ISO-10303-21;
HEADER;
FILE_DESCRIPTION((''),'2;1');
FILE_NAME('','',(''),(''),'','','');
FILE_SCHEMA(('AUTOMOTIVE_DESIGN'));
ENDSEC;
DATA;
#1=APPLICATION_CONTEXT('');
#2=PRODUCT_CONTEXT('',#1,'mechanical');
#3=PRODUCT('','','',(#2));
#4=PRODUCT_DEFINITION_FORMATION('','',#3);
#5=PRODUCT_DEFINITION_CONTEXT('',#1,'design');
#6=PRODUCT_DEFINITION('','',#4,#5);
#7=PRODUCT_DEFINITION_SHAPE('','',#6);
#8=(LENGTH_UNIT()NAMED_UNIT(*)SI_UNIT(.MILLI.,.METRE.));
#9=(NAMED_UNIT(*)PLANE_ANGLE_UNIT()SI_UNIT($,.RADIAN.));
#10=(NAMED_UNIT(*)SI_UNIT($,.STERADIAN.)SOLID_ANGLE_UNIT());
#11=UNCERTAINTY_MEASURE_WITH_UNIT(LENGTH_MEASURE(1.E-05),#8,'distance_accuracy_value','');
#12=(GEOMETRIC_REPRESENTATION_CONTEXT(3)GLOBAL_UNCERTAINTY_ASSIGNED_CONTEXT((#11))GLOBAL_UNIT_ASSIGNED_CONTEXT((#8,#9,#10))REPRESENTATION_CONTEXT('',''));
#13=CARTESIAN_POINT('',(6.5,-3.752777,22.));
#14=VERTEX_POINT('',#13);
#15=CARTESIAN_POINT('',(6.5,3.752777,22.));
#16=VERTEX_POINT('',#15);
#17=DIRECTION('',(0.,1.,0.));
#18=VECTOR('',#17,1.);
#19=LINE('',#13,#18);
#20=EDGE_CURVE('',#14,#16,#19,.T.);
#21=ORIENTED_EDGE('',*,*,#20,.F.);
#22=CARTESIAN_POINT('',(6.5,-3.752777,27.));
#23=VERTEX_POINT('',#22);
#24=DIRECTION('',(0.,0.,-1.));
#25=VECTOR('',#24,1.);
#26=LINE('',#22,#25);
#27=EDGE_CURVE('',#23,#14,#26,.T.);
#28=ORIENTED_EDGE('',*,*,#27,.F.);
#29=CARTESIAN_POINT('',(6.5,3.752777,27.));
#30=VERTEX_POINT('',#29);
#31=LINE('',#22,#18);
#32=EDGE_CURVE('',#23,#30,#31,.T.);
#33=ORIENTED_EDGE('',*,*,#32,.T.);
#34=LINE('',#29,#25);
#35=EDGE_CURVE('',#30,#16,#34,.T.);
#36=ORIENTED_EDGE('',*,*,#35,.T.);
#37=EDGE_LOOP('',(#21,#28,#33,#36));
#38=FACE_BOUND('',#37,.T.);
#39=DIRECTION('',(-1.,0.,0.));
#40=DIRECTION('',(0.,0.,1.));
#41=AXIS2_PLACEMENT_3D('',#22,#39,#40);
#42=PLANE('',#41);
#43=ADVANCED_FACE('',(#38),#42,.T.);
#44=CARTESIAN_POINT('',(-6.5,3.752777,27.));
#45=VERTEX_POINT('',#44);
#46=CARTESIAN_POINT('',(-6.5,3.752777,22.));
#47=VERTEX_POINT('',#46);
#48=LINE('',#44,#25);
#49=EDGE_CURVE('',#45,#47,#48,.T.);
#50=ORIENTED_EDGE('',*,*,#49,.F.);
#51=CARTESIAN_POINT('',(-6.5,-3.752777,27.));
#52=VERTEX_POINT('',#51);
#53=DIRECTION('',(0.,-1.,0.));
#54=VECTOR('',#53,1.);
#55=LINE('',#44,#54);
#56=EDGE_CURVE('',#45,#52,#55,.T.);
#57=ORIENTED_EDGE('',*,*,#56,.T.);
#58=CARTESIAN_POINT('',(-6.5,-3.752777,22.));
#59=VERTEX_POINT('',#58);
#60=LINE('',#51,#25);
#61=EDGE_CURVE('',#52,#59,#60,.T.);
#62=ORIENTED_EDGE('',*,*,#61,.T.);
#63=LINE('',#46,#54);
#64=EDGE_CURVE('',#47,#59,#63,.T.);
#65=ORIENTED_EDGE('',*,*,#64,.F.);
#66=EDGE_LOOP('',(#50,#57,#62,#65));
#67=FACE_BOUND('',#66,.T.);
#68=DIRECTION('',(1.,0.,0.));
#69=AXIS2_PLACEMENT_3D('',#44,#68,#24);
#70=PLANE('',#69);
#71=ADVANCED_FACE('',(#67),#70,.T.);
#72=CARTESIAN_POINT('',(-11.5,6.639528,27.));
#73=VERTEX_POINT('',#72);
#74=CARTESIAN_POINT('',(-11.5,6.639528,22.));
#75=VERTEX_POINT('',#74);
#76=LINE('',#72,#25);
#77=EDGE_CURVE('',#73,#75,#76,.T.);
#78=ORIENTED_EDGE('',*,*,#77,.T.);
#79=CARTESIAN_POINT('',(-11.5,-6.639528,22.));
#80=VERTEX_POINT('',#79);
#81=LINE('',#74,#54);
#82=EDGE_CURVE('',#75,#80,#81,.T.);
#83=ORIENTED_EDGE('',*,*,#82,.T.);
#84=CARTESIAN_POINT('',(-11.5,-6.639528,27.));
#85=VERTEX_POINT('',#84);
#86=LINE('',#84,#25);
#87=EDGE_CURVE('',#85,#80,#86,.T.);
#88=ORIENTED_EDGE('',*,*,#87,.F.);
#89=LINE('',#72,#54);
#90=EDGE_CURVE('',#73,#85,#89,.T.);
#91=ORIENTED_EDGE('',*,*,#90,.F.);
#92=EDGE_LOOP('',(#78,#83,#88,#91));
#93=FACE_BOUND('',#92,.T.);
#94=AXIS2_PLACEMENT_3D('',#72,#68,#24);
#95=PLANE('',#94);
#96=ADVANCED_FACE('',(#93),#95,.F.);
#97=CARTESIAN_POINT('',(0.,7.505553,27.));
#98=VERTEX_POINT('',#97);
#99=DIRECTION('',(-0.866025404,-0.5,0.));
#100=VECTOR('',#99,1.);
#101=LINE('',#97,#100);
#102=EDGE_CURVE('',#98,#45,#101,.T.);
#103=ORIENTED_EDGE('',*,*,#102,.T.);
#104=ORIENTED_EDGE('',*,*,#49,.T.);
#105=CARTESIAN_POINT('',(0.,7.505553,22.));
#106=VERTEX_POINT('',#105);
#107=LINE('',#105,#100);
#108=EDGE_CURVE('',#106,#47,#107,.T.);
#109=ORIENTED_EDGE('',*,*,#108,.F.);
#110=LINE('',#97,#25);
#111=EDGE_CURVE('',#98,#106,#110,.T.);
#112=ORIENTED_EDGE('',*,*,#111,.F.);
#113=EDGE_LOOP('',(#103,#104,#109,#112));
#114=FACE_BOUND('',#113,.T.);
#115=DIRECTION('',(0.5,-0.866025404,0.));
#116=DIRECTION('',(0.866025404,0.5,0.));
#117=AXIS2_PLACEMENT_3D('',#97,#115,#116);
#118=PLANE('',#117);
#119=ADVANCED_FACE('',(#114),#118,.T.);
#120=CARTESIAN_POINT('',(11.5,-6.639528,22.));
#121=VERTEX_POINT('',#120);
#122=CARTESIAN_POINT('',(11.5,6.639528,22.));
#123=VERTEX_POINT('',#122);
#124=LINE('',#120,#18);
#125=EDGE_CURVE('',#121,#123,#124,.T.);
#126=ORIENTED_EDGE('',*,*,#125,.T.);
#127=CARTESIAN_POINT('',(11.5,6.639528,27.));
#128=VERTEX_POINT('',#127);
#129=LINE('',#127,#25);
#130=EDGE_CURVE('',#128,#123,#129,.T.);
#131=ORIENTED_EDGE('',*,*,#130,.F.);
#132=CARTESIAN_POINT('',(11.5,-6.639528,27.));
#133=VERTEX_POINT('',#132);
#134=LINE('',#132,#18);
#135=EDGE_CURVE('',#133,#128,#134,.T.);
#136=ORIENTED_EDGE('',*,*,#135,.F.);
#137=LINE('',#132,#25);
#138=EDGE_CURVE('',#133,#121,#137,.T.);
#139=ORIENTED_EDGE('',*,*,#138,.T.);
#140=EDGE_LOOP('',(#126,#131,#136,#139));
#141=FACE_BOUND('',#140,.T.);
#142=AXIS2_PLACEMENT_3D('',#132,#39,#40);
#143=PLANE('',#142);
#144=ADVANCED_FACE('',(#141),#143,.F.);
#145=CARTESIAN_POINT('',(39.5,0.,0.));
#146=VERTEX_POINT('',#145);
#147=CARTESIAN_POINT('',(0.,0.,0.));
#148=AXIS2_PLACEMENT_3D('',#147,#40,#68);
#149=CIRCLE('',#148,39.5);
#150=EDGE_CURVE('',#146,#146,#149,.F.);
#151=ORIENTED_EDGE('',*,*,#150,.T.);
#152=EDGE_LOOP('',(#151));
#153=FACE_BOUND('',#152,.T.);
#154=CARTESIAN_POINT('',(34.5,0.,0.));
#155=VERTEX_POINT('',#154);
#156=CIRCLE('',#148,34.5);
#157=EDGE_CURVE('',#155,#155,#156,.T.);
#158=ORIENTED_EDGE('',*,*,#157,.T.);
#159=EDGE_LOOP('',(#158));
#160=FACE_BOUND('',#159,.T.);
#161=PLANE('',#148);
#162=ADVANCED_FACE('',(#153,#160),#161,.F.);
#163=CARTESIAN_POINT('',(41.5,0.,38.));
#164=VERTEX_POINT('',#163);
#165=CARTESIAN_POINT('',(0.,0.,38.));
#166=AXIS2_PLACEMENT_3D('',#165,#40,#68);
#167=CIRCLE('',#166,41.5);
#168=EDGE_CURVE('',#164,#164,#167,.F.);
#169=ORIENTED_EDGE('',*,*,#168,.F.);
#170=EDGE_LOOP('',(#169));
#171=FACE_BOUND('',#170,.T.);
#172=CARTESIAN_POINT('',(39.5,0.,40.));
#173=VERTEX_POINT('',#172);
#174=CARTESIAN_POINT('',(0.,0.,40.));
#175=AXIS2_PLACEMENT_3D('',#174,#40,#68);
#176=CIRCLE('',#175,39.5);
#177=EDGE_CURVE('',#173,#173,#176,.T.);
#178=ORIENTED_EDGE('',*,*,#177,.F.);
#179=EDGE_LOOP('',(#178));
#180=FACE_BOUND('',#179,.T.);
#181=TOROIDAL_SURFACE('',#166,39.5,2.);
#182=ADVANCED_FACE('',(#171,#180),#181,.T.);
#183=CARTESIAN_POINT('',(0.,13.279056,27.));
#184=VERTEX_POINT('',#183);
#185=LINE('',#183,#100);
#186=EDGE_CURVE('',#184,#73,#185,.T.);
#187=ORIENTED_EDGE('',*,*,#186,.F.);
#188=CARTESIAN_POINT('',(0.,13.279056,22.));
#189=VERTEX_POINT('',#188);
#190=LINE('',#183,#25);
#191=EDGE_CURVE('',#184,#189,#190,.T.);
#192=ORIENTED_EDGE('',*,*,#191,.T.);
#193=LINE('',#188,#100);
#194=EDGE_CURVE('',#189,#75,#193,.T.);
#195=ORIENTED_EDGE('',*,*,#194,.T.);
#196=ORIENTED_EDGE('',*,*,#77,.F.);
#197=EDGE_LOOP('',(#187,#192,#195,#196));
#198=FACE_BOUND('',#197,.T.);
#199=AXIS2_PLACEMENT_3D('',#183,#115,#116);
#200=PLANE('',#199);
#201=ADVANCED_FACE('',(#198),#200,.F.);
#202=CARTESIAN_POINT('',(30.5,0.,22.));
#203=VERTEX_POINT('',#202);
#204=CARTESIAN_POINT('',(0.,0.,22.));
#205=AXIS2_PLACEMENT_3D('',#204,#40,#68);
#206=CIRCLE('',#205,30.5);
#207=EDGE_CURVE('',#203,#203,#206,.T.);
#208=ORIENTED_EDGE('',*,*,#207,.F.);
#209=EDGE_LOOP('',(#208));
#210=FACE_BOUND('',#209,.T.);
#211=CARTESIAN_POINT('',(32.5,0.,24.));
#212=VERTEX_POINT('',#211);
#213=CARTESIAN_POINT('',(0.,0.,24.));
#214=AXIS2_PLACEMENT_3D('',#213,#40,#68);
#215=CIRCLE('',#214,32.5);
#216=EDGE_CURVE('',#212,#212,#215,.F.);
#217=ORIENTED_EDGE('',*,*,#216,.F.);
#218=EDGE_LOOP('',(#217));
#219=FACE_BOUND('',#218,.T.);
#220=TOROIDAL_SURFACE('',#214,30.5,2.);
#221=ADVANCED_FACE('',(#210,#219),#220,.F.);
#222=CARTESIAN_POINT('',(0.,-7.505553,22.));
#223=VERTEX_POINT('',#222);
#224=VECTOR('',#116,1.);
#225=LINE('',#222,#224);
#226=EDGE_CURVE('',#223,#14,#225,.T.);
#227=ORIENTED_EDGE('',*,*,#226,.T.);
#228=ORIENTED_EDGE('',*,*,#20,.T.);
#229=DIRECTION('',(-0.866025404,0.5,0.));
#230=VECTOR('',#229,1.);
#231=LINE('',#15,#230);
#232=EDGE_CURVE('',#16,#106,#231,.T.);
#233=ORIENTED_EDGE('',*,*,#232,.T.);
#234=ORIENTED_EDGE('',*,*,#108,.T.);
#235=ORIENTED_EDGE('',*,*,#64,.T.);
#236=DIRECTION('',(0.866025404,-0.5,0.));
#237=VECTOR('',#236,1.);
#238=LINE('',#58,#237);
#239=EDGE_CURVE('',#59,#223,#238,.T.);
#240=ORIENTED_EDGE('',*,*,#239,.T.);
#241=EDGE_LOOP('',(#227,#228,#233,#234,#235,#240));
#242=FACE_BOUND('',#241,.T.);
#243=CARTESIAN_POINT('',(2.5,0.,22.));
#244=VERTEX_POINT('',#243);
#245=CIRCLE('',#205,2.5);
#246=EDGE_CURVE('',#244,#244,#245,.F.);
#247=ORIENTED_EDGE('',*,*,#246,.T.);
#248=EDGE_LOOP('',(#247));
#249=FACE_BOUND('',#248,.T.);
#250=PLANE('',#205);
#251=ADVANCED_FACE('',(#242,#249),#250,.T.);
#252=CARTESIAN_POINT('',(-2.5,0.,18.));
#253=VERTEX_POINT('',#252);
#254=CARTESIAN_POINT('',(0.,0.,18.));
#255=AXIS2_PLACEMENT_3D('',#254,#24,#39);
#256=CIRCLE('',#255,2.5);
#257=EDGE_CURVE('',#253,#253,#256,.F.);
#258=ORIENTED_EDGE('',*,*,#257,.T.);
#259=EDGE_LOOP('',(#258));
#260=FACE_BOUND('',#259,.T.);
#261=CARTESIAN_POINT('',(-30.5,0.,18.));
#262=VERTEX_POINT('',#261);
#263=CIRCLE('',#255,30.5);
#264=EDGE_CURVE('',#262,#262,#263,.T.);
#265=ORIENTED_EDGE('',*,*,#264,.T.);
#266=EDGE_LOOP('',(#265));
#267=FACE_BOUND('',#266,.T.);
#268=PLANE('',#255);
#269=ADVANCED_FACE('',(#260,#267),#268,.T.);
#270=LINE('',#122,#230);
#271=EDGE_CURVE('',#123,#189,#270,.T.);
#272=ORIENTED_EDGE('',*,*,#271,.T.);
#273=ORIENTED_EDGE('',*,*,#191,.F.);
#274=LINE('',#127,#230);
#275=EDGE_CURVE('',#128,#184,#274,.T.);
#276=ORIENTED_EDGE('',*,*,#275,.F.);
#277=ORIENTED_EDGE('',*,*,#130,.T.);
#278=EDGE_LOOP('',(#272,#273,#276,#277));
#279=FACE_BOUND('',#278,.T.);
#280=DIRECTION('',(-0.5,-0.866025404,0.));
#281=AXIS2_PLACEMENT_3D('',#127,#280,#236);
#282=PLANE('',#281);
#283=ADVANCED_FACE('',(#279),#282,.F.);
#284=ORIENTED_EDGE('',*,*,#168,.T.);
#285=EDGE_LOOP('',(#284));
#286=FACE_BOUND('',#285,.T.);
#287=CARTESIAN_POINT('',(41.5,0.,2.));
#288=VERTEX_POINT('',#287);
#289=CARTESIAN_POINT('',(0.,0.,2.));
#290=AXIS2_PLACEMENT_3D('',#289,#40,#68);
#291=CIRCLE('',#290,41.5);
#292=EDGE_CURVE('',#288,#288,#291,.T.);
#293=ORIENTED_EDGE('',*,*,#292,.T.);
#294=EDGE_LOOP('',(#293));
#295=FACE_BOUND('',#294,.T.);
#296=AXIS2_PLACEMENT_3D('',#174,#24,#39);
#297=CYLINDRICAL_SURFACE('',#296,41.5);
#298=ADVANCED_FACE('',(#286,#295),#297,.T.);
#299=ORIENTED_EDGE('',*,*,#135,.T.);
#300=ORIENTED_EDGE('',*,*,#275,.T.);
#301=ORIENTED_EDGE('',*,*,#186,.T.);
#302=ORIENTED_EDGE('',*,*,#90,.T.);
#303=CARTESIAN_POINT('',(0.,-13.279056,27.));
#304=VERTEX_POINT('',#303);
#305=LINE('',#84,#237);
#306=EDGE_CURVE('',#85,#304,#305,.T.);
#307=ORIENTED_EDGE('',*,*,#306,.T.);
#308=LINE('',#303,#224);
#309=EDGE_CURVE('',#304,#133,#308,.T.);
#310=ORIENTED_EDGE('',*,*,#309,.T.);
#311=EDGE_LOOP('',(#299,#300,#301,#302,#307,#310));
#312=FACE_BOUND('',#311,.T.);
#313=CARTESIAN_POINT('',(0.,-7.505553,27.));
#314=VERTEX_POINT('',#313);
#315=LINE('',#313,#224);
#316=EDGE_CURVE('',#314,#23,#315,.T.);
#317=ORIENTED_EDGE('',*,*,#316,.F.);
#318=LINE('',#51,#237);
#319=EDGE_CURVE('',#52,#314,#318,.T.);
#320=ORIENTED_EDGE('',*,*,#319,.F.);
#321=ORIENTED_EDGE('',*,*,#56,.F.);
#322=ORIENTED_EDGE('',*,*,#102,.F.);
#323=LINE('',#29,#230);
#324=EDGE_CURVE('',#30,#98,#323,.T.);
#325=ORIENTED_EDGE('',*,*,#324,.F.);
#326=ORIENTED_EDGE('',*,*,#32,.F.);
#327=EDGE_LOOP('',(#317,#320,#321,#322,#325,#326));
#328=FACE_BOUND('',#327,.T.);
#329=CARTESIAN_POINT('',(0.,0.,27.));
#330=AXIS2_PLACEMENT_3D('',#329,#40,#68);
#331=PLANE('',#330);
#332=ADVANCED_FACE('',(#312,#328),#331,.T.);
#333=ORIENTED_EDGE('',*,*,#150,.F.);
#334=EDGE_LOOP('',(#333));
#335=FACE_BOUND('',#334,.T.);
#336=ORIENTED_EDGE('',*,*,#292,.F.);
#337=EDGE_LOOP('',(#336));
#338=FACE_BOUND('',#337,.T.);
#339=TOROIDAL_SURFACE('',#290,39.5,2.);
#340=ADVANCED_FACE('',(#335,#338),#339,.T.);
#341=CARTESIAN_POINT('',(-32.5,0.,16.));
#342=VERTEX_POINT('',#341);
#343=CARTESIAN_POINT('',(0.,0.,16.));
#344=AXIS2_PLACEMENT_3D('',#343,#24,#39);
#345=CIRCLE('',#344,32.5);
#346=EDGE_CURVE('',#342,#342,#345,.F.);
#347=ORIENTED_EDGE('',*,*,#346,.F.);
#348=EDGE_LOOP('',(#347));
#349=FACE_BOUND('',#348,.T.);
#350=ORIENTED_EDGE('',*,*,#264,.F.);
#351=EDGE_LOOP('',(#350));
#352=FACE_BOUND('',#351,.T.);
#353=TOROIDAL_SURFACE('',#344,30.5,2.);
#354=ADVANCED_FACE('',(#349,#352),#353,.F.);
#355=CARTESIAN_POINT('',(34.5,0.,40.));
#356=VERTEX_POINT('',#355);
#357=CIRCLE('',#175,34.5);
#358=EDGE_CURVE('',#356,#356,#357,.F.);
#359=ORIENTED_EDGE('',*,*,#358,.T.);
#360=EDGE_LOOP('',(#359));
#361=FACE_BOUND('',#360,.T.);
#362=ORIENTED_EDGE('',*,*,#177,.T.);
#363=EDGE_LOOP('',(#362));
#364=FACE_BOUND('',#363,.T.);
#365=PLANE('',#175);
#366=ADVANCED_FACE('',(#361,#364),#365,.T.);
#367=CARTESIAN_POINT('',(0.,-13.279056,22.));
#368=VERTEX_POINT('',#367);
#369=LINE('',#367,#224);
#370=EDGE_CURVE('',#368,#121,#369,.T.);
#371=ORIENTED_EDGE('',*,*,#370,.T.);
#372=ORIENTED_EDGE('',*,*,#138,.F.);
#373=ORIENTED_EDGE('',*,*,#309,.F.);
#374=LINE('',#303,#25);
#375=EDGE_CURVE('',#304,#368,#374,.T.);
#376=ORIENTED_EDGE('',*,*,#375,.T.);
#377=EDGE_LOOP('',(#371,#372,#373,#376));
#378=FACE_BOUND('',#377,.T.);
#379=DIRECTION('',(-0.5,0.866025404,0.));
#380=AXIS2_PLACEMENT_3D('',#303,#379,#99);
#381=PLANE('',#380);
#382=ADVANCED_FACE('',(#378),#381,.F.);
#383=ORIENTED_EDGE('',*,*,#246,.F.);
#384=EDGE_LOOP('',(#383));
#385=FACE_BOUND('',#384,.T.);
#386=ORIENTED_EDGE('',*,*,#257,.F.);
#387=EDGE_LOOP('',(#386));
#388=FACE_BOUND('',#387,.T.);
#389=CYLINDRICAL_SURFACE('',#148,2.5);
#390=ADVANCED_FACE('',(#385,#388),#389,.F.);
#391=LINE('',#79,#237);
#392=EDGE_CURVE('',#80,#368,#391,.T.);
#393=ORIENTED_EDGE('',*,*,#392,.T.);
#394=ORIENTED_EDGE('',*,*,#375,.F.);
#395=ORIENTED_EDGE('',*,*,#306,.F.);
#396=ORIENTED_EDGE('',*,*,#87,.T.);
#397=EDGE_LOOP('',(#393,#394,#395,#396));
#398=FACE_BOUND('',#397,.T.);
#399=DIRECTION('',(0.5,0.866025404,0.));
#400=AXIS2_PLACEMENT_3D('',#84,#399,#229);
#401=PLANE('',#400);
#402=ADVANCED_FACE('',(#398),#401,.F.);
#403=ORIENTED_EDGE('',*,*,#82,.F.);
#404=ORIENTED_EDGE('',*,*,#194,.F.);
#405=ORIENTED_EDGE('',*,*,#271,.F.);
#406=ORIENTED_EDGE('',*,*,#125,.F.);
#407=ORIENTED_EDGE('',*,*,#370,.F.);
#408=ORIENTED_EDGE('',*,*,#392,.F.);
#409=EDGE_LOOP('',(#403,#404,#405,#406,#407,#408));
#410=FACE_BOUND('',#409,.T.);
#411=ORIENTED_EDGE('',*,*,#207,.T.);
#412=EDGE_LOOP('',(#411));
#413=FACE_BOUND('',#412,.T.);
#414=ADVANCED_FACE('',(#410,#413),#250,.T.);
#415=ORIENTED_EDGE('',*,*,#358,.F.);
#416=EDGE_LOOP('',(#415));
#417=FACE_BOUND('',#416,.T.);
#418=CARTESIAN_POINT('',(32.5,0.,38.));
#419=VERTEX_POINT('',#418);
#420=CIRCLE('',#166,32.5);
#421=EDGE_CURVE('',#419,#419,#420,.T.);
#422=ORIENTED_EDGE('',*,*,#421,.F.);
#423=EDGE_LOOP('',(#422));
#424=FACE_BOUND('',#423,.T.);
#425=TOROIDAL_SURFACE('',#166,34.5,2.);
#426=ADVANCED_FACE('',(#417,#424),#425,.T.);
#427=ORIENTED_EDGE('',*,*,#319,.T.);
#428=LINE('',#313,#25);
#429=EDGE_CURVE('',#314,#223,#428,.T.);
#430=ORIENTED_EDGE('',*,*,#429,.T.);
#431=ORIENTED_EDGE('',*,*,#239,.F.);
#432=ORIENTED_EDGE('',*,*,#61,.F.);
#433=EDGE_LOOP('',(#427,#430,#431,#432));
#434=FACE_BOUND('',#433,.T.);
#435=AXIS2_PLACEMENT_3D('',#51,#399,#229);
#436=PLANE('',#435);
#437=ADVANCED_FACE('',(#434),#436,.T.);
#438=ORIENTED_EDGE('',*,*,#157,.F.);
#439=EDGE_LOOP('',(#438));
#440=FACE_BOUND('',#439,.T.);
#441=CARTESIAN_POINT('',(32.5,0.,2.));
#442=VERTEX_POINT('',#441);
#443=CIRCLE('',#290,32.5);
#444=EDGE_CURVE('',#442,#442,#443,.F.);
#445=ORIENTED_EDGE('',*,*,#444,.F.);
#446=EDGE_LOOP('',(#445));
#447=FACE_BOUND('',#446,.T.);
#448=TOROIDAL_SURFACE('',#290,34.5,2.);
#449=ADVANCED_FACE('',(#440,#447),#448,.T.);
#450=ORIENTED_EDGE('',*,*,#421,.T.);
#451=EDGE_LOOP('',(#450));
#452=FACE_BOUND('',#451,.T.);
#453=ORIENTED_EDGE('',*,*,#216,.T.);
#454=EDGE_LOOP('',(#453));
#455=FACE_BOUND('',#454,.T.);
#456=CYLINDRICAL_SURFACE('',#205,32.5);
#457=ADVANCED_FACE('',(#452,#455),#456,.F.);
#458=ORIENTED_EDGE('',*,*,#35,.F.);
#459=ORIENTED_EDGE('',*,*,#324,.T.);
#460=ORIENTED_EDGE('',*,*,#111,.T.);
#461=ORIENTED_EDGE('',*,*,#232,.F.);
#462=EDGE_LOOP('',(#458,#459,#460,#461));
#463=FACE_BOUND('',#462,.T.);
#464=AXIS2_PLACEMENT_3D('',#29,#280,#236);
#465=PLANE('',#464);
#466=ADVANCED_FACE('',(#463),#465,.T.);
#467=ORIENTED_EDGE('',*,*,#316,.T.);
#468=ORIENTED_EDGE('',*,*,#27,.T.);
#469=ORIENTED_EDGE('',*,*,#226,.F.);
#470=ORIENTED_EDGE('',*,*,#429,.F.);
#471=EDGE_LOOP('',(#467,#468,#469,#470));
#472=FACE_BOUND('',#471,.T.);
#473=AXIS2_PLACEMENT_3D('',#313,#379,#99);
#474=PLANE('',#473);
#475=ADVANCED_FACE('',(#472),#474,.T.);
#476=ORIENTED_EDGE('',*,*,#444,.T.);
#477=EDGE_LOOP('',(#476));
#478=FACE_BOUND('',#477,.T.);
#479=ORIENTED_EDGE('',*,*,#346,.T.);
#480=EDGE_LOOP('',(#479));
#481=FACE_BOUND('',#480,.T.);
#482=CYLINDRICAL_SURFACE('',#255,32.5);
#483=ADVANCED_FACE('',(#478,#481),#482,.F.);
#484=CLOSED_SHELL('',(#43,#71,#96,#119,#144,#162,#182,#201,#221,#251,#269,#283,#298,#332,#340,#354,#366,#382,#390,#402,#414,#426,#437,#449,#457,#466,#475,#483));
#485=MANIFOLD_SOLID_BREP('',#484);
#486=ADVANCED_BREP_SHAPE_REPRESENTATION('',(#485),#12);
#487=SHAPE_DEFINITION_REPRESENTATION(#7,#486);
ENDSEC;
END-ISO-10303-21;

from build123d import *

# Parameters (mm, degrees)
SKETCH1_R           = 41.5
BOSS_EXTRUDE1_DEPTH = 40
SKETCH2_R           = 2.5
CUT_EXTRUDE1_DEPTH  = 72.024643611
SKETCH4_R           = 32.5
CUT_EXTRUDE2_DEPTH  = 18
CUT_EXTRUDE3_START  = -18
SKETCH5_R           = 32.5
CUT_EXTRUDE3_DEPTH  = 18
BOSS_EXTRUDE2_START = 5
SKETCH6_R           = 2.5
BOSS_EXTRUDE2_DEPTH = 5
BOSS_EXTRUDE3_START = 17
SKETCH7_R           = 5.75
SKETCH7_R_2         = 2.5
BOSS_EXTRUDE3_DEPTH = 17
FILLET3_R           = 2
BOSS_EXTRUDE4_DEPTH = 5
CUT_EXTRUDE4_DEPTH  = 22


with BuildPart() as part:
    # Sketch1 → Boss-Extrude1 (new body)
    with BuildSketch(Plane.XY):
        Circle(SKETCH1_R)
    extrude(amount=BOSS_EXTRUDE1_DEPTH)

    # Sketch2 → Cut-Extrude1 (cut, through all)
    with BuildSketch(Plane.XY.offset(40)):
        Circle(SKETCH2_R)
    extrude(amount=-CUT_EXTRUDE1_DEPTH, mode=Mode.SUBTRACT)

    # Sketch4 → Cut-Extrude2 (cut)
    with BuildSketch(Plane(origin=(0, 0, 0), x_dir=(-1, 0, 0), z_dir=(0, 0, -1))):
        Circle(SKETCH4_R)
    extrude(amount=-CUT_EXTRUDE2_DEPTH, mode=Mode.SUBTRACT)

    # Sketch5 → Cut-Extrude3 (cut)
    with BuildSketch(Plane.XY.offset(40).offset(CUT_EXTRUDE3_START)):
        with Locations(Location((0, 0, 0), (0, 0, 180))):
            Circle(SKETCH5_R)
    extrude(amount=CUT_EXTRUDE3_DEPTH, mode=Mode.SUBTRACT)

    # Sketch6 → Boss-Extrude2 (add)
    with BuildSketch(Plane.XY.offset(22).offset(BOSS_EXTRUDE2_START)):
        Polygon((0, 6.92820323), (-6, 3.464101615), (-6, -3.464101615), (0, -6.92820323), (6, -3.464101615), (6, 3.464101615), align=None)
        Circle(SKETCH6_R, mode=Mode.SUBTRACT)
    extrude(amount=-BOSS_EXTRUDE2_DEPTH)

    # Sketch7 → Boss-Extrude3 (add)
    with BuildSketch(Plane.XY.offset(27).offset(BOSS_EXTRUDE3_START)):
        Circle(SKETCH7_R)
        Circle(SKETCH7_R_2, mode=Mode.SUBTRACT)
    extrude(amount=-BOSS_EXTRUDE3_DEPTH)

    # Fillet3
    fillet3_edges = [part.edges().sort_by_distance(p)[0] for p in [
        (32.5, 0, 0),
        (32.5, 0, 18),
        (32.5, 0, 40),
        (32.5, 0, 22),
        (-41.5, 0, 0),
        (-41.5, 0, 40),
    ]]
    fillet(fillet3_edges, radius=FILLET3_R)

    # Sketch8 → Boss-Extrude4 (add)
    with BuildSketch(Plane.XY.offset(22)):
        Polygon((11.5, 6.639528096), (0, 13.279056191), (-11.5, 6.639528096), (-11.5, -6.639528096), (0, -13.279056191), (11.5, -6.639528096), align=None)
        Polygon((6.5, 3.75277675), (0, 7.505553499), (-6.5, 3.75277675), (-6.5, -3.75277675), (0, -7.505553499), (6.5, -3.75277675), align=None, mode=Mode.SUBTRACT)
    extrude(amount=BOSS_EXTRUDE4_DEPTH)

    # Sketch9 → Cut-Extrude4 (cut)
    with BuildSketch(Plane.XY.offset(44)):
        Polygon((0, 7.247698374), (-6.276690911, 3.623849187), (-6.276690911, -3.623849187), (0, -7.247698374), (6.276690911, -3.623849187), (6.276690911, 3.623849187), align=None)
    extrude(amount=-CUT_EXTRUDE4_DEPTH, mode=Mode.SUBTRACT)


solid = part.part
